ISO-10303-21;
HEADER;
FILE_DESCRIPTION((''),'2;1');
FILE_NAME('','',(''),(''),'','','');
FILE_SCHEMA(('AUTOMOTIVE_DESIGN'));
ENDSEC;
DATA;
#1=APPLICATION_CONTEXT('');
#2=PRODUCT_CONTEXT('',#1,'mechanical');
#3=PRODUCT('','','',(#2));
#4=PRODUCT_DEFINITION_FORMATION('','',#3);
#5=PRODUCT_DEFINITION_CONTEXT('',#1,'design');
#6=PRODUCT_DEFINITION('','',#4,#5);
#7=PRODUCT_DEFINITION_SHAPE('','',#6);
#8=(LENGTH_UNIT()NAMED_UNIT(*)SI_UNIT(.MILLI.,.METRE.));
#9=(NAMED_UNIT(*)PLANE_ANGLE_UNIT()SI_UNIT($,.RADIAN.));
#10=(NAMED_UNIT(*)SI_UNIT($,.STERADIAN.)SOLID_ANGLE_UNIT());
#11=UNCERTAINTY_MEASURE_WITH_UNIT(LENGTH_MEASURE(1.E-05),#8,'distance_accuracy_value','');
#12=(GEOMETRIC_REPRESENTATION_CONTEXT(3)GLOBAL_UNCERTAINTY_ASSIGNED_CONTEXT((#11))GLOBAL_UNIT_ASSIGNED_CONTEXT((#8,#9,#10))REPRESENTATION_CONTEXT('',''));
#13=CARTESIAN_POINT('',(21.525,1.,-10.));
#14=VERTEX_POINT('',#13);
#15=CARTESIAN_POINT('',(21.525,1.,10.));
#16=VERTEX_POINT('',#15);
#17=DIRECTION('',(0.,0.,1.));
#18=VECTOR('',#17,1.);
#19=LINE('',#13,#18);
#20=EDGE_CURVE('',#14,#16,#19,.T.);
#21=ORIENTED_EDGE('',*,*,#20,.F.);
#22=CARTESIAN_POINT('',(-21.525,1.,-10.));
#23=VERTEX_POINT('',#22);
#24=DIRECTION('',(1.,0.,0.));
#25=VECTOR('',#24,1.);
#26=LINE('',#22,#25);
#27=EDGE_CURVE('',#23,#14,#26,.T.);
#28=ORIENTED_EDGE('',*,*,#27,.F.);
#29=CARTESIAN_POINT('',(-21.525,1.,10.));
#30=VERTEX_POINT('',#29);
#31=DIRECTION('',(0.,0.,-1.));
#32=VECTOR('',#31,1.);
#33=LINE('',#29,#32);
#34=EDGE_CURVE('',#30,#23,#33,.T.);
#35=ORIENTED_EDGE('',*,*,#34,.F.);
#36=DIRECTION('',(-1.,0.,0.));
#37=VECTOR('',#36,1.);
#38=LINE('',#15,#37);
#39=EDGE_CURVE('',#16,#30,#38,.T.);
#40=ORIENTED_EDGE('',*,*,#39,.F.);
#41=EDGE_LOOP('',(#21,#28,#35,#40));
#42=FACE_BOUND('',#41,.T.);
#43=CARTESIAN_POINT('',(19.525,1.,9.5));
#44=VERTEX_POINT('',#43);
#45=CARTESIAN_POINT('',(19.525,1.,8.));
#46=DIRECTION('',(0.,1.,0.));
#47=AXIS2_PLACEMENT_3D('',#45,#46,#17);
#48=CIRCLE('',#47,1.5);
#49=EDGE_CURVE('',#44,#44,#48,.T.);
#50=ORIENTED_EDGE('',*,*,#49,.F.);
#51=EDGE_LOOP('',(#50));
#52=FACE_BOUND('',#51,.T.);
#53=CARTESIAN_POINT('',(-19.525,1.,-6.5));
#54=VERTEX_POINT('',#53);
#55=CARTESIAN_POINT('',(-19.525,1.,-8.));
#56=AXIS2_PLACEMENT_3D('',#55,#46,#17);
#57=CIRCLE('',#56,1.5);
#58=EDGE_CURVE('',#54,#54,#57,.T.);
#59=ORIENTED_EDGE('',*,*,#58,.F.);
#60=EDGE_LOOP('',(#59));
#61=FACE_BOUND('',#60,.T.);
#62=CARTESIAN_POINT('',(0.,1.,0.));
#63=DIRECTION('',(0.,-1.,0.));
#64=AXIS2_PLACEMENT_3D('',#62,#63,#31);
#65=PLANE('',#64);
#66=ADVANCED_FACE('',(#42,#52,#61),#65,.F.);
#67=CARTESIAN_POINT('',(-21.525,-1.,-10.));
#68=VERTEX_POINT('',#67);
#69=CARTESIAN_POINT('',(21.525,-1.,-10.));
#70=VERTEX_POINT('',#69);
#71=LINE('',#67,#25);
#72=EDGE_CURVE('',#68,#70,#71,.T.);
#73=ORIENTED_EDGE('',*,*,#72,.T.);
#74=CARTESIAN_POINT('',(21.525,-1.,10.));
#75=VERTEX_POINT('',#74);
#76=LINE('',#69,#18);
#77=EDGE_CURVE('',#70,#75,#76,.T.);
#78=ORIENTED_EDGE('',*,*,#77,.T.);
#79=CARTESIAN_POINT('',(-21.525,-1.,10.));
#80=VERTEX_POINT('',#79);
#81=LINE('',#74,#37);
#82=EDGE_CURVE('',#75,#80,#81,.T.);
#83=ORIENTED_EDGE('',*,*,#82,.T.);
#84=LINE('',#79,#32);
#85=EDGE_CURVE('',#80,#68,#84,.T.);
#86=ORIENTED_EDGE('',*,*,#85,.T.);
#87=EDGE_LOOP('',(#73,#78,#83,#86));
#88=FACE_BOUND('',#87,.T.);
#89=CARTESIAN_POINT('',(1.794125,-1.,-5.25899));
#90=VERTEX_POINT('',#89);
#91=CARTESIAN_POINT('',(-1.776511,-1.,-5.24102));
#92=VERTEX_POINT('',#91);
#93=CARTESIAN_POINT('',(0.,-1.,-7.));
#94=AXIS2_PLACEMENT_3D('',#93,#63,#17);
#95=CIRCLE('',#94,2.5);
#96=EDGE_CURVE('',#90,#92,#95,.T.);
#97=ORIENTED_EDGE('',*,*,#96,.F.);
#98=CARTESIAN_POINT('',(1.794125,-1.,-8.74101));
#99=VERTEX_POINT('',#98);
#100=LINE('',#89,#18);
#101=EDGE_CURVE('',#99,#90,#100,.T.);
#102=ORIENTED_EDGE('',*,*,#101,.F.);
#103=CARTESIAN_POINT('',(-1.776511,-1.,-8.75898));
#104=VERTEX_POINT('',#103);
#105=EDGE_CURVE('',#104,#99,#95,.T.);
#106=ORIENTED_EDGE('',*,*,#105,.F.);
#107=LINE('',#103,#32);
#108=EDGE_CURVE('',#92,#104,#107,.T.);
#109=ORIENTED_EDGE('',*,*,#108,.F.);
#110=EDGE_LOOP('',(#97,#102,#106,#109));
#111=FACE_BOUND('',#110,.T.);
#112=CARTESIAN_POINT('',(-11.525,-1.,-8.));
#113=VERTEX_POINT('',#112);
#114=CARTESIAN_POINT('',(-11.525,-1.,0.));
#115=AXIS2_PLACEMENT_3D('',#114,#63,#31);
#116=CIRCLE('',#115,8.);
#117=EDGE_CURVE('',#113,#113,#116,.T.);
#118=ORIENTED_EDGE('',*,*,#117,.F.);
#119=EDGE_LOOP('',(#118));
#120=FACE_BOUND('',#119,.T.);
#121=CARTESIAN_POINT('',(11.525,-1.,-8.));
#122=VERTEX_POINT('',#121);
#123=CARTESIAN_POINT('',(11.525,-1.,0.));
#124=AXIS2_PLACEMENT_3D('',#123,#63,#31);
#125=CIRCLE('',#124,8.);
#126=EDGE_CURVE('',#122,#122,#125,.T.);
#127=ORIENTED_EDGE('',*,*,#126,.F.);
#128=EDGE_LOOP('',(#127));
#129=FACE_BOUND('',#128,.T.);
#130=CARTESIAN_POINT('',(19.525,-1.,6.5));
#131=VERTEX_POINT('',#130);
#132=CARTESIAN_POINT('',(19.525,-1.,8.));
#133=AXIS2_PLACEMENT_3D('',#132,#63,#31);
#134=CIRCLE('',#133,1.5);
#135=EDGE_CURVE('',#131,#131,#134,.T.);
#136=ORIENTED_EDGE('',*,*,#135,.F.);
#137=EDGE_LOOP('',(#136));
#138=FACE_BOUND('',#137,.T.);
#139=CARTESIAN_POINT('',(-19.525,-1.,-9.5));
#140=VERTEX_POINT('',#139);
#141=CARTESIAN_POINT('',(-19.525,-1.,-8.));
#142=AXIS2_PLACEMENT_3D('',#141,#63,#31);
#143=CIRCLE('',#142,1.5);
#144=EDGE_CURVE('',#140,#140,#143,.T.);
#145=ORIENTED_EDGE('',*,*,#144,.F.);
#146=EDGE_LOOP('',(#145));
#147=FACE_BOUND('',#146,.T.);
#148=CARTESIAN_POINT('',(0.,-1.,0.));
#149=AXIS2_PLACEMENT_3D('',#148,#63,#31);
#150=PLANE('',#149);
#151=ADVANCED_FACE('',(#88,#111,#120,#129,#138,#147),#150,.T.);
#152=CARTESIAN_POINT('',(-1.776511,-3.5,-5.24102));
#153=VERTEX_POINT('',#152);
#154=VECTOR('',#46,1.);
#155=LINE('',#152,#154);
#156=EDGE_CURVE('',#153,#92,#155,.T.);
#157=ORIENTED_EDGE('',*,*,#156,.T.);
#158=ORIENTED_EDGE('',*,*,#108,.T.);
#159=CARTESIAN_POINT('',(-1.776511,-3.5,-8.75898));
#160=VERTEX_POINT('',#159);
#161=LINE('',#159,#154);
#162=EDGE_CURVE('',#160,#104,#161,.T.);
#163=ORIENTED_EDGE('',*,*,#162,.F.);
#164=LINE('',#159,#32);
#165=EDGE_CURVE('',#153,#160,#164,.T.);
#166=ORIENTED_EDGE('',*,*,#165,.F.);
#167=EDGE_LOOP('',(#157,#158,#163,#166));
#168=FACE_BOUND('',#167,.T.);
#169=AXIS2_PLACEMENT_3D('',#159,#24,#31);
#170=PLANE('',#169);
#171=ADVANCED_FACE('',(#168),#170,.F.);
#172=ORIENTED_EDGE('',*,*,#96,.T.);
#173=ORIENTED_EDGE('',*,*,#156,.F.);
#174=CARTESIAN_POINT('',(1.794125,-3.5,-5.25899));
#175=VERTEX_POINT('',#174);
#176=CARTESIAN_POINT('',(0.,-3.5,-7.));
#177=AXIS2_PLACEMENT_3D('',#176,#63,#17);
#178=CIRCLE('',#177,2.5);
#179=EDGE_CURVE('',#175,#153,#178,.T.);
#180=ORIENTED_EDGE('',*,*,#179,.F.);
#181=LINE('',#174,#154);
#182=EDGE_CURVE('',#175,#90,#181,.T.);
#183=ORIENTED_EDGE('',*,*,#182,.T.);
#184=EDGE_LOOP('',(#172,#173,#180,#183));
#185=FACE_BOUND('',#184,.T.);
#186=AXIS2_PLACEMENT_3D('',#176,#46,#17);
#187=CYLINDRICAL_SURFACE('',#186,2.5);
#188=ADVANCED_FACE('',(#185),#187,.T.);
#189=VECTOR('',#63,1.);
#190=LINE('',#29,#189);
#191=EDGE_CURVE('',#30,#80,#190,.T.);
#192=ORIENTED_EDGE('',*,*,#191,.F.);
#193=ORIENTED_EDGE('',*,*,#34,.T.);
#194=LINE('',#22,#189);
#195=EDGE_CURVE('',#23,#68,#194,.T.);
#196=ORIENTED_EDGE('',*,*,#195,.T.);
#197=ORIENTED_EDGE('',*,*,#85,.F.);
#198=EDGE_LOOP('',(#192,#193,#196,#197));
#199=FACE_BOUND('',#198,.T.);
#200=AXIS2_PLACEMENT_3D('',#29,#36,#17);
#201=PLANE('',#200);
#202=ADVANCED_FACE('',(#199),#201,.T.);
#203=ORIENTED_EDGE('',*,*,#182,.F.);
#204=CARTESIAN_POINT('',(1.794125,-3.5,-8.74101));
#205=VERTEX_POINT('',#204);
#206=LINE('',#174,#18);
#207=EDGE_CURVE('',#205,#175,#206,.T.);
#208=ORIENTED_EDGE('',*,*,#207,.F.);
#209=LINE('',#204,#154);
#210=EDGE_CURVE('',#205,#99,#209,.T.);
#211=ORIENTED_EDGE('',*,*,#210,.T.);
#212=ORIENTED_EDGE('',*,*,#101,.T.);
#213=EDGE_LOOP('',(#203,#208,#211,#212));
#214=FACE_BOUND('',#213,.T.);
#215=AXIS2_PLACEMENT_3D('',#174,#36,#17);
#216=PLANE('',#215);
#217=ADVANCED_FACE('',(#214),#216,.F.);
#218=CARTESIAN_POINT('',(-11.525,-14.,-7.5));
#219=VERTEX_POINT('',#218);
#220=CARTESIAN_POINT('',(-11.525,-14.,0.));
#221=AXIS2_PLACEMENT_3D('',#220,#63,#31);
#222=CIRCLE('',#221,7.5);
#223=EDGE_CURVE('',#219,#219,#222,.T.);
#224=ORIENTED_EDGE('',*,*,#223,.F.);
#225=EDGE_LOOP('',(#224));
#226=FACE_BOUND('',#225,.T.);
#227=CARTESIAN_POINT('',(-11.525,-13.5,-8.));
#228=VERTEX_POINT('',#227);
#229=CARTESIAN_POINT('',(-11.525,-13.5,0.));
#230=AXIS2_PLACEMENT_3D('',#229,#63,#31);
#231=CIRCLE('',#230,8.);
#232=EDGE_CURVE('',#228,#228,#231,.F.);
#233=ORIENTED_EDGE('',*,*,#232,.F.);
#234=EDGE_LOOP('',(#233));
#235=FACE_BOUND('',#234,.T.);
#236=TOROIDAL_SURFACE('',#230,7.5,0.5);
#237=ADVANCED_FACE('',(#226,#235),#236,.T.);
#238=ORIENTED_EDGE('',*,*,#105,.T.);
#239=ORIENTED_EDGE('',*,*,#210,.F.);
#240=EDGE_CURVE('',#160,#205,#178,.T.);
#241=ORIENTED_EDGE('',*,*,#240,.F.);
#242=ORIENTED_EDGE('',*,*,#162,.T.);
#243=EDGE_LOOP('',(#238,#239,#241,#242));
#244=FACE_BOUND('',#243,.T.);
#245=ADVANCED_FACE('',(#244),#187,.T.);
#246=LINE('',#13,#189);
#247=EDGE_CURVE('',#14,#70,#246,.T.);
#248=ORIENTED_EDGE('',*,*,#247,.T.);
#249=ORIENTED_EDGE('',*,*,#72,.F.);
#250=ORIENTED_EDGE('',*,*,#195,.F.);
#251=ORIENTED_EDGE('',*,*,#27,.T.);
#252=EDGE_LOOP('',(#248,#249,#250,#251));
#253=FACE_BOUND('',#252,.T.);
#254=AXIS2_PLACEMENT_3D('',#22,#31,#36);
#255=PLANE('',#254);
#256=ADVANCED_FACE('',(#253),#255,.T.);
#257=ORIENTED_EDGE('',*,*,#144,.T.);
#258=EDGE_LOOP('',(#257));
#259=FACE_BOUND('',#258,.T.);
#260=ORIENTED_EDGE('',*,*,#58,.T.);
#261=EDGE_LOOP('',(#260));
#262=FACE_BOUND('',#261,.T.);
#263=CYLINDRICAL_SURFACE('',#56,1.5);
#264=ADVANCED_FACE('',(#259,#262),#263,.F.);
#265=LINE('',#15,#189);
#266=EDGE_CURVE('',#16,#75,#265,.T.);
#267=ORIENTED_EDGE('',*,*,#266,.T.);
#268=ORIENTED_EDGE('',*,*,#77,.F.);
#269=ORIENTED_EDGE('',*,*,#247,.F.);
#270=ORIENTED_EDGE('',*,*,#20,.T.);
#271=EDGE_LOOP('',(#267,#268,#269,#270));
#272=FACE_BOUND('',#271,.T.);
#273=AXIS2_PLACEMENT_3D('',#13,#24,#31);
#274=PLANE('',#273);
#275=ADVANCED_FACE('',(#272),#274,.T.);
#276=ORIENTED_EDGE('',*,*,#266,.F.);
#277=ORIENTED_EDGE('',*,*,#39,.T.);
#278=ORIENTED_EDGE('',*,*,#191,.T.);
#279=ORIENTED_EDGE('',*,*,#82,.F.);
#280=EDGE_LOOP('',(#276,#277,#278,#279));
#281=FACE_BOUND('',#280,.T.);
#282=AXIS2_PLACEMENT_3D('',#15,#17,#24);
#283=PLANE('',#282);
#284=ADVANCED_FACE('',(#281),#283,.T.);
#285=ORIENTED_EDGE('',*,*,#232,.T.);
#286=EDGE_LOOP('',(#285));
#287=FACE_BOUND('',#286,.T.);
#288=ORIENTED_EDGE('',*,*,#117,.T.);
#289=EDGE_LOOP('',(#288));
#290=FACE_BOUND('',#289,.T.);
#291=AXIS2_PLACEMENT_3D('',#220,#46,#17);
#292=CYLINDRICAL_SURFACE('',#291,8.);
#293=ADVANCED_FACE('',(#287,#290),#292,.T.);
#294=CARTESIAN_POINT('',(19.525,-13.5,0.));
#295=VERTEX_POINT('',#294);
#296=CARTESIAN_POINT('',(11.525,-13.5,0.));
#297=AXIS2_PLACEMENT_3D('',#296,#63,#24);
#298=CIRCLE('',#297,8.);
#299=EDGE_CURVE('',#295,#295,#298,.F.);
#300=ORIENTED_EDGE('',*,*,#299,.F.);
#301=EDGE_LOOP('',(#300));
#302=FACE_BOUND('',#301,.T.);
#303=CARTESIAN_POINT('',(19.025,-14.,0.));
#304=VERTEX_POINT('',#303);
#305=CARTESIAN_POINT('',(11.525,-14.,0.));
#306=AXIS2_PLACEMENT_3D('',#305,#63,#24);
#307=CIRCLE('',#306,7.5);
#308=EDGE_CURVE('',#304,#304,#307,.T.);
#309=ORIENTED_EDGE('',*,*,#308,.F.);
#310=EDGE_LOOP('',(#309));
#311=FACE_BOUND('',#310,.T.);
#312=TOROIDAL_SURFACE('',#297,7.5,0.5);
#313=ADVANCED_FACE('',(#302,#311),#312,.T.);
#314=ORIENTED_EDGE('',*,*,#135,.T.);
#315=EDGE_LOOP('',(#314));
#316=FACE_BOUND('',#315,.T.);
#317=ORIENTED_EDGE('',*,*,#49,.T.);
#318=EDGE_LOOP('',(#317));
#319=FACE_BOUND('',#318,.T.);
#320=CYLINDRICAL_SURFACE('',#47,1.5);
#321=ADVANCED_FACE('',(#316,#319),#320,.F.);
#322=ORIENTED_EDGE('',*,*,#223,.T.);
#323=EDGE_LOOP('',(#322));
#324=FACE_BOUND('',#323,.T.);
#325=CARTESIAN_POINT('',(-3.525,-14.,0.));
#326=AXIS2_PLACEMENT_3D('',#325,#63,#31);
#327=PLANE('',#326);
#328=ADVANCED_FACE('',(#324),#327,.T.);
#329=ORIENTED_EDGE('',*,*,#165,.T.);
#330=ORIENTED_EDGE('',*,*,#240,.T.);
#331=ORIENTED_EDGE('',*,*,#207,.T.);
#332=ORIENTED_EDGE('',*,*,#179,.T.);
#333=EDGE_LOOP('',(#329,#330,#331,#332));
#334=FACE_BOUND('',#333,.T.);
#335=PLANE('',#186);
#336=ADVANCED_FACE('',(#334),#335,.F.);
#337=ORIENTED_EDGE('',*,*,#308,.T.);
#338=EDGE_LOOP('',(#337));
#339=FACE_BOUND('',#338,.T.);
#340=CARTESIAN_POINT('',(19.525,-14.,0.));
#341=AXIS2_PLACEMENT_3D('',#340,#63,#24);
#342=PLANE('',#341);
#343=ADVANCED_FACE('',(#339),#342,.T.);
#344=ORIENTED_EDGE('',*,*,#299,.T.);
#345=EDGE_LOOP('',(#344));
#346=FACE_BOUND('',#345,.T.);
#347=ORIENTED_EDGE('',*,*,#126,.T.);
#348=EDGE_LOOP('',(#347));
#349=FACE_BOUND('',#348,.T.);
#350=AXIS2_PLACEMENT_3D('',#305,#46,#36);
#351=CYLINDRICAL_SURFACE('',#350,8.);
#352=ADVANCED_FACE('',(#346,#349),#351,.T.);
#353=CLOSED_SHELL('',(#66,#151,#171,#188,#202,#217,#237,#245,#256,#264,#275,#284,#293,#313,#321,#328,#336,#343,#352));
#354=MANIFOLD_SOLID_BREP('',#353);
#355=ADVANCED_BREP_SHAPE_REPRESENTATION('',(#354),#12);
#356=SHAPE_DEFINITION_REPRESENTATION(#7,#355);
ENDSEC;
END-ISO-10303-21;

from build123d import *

# Parameters (mm, degrees)
SCHIZZO1_W                   = 43.05
SCHIZZO1_H                   = 20
ESTRUSIONE_ESTRUSIONE1_DEPTH = 2
ESTRUSIONE_ESTRUSIONE2_DEPTH = 2.5
SCHIZZO3_W                   = 8
SCHIZZO3_H                   = 13
SCHIZZO4_W                   = 8
SCHIZZO4_H                   = 13
FORO_3_0_3_1_D               = 3
FORO_3_0_3_1_DEPTH           = 15
RACCORDO1_R                  = 0.5


with BuildPart() as part:
    # Schizzo1 → Estrusione-Estrusione1 (new body)
    with BuildSketch(Plane.XZ.offset(1)):
        Rectangle(SCHIZZO1_W, SCHIZZO1_H)
    extrude(amount=-ESTRUSIONE_ESTRUSIONE1_DEPTH)

    # Schizzo2 → Estrusione-Estrusione2 (add)
    with BuildSketch(Plane.XZ.offset(1)):
        with BuildLine():
            Line((-1.776510899, -8.758979541), (-1.776510899, -5.241020459))
            ThreePointArc((-1.776510899, -5.241020459), (0.01258154, -4.500031659), (1.794125223, -5.258990326))
            Line((1.794125223, -5.258990326), (1.794125223, -8.741009674))
            ThreePointArc((1.794125223, -8.741009674), (0.01258154, -9.499968341), (-1.776510899, -8.758979541))
        make_face()
    extrude(amount=ESTRUSIONE_ESTRUSIONE2_DEPTH)

    # Schizzo3 → Rivoluzione1 (revolve)
    with BuildSketch(Plane(origin=(0, 0, 0), x_dir=(-1, 0, 0), z_dir=(0, 0, -1))):
        with Locations((7.525, -7.5)):
            Rectangle(SCHIZZO3_W, SCHIZZO3_H)
    revolve(axis=Axis((-11.525, -14, 0), (0, 1, 0)))

    # Schizzo4 → Rivoluzione2 (revolve)
    with BuildSketch(Plane(origin=(0, 0, 0), x_dir=(-1, 0, 0), z_dir=(0, 0, -1))):
        with Locations((-15.525, -7.5)):
            Rectangle(SCHIZZO4_W, SCHIZZO4_H)
    revolve(axis=Axis((11.525, -14, 0), (0, 1, 0)))

    # Foro Ø3.0 (3)-1
    with Locations(Plane(origin=(0, 1, 0), x_dir=(1, 0, 0), z_dir=(0, 1, 0))):
        with Locations((-19.525, 8), (19.525, -8)):
            Hole(FORO_3_0_3_1_D / 2, depth=FORO_3_0_3_1_DEPTH)

    # Raccordo1
    raccordo1_edges = [part.edges().sort_by_distance(p)[0] for p in [
        (-19.525, -14, 0),
        (3.525, -14, 0),
    ]]
    fillet(raccordo1_edges, radius=RACCORDO1_R)


solid = part.part
